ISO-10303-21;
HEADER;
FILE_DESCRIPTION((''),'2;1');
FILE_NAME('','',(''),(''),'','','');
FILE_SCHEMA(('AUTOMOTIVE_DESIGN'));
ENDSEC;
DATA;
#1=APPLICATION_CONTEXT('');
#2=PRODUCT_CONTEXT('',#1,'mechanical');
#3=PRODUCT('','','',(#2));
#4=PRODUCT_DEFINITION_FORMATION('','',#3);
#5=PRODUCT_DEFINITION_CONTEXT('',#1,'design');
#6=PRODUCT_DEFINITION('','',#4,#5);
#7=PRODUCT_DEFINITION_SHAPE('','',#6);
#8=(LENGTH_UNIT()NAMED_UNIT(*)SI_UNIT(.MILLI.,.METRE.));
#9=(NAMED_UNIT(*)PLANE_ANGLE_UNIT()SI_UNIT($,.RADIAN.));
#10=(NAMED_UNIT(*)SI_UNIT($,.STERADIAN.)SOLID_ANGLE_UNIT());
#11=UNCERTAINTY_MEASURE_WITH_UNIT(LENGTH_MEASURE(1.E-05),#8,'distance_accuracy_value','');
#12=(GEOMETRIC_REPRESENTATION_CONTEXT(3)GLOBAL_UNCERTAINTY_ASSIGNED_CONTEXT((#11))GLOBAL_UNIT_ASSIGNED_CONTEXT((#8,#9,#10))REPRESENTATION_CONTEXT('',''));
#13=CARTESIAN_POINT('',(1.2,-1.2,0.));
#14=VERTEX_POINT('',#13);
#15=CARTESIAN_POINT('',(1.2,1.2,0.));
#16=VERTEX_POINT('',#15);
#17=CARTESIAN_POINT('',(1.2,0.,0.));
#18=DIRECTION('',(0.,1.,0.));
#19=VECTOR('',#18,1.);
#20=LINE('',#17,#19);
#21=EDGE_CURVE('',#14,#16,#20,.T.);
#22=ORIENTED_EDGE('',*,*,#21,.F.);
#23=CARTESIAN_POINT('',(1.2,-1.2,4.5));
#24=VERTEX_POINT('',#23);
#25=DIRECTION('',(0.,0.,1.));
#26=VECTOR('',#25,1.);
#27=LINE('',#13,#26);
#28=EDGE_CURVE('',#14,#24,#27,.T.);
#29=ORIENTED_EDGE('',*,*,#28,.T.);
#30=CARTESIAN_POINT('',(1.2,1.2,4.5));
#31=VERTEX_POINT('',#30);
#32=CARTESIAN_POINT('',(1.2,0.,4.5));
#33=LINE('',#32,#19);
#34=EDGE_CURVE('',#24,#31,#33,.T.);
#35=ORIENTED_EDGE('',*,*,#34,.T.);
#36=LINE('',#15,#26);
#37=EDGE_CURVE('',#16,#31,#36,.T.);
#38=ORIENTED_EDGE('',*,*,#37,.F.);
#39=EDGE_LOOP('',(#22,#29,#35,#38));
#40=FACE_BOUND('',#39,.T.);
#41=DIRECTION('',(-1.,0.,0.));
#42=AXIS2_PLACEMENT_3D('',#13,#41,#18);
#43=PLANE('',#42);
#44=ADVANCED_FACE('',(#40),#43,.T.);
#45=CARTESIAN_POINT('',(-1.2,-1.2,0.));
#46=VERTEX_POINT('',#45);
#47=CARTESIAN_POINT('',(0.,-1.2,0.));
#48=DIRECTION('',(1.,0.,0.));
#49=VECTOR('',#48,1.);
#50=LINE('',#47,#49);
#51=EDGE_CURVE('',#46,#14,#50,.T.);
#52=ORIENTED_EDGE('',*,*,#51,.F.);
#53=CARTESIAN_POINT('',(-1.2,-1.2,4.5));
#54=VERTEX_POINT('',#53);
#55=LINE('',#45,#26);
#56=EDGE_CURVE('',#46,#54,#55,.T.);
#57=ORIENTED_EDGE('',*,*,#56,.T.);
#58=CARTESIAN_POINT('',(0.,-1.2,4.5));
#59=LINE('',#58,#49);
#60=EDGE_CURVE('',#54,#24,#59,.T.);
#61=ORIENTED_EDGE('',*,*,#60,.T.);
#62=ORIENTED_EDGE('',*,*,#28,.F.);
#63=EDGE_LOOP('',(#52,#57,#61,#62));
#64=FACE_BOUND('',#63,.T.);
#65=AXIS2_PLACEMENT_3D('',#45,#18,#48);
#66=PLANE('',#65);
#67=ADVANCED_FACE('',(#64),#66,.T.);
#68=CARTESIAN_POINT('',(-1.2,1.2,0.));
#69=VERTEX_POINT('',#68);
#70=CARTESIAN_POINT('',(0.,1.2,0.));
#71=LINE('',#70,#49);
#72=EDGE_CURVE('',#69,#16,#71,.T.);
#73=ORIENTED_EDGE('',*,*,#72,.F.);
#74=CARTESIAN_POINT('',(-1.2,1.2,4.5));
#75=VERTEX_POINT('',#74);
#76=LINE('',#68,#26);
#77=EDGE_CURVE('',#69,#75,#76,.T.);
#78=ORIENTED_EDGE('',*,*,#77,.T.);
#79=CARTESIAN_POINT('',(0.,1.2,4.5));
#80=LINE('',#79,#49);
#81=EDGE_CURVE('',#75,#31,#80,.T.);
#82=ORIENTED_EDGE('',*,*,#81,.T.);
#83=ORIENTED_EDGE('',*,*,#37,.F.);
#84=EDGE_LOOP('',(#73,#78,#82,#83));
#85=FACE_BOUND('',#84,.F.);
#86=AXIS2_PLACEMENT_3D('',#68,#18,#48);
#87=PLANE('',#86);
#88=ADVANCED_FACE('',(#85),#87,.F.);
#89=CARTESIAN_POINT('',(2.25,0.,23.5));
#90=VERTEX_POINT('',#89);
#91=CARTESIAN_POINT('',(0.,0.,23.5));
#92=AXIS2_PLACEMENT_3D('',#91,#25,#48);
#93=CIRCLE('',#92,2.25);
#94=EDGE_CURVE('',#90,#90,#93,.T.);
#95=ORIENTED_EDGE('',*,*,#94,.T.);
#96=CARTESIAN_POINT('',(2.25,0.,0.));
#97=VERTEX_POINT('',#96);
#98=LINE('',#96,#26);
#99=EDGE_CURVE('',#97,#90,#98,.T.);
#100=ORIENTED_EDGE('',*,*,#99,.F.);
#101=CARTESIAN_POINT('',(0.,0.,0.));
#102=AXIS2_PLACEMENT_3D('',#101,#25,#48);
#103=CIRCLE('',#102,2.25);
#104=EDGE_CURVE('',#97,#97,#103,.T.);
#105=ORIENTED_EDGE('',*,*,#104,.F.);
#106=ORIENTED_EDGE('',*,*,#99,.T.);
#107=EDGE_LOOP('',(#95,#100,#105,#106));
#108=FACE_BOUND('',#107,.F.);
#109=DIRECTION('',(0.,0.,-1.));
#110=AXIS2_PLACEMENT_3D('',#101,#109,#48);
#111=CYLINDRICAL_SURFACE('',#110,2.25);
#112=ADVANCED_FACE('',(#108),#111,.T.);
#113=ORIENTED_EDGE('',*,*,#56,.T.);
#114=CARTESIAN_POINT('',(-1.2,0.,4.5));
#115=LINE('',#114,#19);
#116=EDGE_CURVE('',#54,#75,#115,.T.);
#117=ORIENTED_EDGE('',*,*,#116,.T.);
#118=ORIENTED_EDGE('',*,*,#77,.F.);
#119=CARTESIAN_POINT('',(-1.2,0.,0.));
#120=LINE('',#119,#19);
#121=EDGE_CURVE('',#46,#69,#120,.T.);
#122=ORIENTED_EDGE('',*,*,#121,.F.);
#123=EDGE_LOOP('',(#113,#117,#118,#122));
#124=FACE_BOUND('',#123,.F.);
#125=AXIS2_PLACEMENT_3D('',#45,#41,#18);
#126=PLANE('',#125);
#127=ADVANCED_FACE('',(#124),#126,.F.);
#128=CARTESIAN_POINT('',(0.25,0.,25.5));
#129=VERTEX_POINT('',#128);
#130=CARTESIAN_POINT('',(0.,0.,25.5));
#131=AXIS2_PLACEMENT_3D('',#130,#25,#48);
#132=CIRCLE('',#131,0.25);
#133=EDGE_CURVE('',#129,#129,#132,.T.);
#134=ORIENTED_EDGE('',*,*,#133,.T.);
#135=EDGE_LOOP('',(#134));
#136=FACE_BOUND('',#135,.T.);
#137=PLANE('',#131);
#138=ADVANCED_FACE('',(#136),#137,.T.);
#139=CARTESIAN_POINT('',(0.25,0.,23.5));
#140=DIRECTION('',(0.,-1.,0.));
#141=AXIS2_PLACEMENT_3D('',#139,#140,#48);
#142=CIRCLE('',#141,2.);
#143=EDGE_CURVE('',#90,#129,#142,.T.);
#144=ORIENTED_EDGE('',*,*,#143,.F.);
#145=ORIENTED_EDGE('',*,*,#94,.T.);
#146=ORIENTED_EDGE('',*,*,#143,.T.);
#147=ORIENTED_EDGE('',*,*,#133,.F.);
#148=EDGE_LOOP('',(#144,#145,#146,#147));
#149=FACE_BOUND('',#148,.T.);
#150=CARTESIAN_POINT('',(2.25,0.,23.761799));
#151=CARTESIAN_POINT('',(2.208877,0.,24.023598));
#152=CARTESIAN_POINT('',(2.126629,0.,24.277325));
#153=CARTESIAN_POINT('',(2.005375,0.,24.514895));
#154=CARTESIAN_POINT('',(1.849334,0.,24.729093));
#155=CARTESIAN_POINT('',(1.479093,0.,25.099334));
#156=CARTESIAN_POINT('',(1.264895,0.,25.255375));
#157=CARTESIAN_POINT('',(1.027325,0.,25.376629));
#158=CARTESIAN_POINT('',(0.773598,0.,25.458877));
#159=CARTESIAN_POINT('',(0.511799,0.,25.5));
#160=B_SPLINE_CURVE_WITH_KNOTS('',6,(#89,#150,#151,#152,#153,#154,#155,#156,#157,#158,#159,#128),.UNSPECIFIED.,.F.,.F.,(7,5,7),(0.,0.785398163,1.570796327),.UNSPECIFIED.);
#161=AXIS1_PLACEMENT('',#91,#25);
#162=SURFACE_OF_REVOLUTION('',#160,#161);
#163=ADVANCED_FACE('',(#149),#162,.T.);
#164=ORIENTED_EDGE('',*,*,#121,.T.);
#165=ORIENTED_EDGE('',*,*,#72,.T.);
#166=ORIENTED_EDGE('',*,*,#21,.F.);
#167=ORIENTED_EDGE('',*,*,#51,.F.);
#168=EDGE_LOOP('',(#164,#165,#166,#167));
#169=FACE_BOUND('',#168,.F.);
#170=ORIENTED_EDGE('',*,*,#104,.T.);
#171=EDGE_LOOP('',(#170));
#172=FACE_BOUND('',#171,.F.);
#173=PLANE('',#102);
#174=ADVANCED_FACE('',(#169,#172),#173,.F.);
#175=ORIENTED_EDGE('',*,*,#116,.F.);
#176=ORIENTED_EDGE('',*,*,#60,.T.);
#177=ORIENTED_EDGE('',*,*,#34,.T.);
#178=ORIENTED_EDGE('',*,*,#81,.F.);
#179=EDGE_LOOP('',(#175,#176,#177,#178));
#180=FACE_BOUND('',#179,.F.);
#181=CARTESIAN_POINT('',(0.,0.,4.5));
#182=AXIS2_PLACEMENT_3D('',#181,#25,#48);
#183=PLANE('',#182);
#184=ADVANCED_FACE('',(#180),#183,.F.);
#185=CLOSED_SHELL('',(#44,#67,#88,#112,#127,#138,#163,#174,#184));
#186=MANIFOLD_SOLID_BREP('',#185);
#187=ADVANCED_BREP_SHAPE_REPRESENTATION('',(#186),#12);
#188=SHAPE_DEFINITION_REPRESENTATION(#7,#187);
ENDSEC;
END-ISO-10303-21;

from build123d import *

# Parameters (mm, degrees)
SKETCH_1_R          = 2.25
EXTRUDE_2_DEPTH     = 25.5
SKETCH_7_W          = 2.4
SKETCH_7_H          = 2.4
CUT_EXTRUDE_3_DEPTH = 4.5
FILLET_2_R          = 2


with BuildPart() as part:
    # 草图1 → 凸台-拉伸2 (new body)
    with BuildSketch(Plane.XY):
        Circle(SKETCH_1_R)
    extrude(amount=EXTRUDE_2_DEPTH)

    # 草图7 → 切除-拉伸3 (cut)
    with BuildSketch(Plane.XY):
        Rectangle(SKETCH_7_W, SKETCH_7_H)
    extrude(amount=CUT_EXTRUDE_3_DEPTH, mode=Mode.SUBTRACT)

    # 圆角2
    fillet_2_edges = [part.edges().sort_by_distance(p)[0] for p in [
        (-2.25, 0, 25.5),
    ]]
    fillet(fillet_2_edges, radius=FILLET_2_R)


solid = part.part
